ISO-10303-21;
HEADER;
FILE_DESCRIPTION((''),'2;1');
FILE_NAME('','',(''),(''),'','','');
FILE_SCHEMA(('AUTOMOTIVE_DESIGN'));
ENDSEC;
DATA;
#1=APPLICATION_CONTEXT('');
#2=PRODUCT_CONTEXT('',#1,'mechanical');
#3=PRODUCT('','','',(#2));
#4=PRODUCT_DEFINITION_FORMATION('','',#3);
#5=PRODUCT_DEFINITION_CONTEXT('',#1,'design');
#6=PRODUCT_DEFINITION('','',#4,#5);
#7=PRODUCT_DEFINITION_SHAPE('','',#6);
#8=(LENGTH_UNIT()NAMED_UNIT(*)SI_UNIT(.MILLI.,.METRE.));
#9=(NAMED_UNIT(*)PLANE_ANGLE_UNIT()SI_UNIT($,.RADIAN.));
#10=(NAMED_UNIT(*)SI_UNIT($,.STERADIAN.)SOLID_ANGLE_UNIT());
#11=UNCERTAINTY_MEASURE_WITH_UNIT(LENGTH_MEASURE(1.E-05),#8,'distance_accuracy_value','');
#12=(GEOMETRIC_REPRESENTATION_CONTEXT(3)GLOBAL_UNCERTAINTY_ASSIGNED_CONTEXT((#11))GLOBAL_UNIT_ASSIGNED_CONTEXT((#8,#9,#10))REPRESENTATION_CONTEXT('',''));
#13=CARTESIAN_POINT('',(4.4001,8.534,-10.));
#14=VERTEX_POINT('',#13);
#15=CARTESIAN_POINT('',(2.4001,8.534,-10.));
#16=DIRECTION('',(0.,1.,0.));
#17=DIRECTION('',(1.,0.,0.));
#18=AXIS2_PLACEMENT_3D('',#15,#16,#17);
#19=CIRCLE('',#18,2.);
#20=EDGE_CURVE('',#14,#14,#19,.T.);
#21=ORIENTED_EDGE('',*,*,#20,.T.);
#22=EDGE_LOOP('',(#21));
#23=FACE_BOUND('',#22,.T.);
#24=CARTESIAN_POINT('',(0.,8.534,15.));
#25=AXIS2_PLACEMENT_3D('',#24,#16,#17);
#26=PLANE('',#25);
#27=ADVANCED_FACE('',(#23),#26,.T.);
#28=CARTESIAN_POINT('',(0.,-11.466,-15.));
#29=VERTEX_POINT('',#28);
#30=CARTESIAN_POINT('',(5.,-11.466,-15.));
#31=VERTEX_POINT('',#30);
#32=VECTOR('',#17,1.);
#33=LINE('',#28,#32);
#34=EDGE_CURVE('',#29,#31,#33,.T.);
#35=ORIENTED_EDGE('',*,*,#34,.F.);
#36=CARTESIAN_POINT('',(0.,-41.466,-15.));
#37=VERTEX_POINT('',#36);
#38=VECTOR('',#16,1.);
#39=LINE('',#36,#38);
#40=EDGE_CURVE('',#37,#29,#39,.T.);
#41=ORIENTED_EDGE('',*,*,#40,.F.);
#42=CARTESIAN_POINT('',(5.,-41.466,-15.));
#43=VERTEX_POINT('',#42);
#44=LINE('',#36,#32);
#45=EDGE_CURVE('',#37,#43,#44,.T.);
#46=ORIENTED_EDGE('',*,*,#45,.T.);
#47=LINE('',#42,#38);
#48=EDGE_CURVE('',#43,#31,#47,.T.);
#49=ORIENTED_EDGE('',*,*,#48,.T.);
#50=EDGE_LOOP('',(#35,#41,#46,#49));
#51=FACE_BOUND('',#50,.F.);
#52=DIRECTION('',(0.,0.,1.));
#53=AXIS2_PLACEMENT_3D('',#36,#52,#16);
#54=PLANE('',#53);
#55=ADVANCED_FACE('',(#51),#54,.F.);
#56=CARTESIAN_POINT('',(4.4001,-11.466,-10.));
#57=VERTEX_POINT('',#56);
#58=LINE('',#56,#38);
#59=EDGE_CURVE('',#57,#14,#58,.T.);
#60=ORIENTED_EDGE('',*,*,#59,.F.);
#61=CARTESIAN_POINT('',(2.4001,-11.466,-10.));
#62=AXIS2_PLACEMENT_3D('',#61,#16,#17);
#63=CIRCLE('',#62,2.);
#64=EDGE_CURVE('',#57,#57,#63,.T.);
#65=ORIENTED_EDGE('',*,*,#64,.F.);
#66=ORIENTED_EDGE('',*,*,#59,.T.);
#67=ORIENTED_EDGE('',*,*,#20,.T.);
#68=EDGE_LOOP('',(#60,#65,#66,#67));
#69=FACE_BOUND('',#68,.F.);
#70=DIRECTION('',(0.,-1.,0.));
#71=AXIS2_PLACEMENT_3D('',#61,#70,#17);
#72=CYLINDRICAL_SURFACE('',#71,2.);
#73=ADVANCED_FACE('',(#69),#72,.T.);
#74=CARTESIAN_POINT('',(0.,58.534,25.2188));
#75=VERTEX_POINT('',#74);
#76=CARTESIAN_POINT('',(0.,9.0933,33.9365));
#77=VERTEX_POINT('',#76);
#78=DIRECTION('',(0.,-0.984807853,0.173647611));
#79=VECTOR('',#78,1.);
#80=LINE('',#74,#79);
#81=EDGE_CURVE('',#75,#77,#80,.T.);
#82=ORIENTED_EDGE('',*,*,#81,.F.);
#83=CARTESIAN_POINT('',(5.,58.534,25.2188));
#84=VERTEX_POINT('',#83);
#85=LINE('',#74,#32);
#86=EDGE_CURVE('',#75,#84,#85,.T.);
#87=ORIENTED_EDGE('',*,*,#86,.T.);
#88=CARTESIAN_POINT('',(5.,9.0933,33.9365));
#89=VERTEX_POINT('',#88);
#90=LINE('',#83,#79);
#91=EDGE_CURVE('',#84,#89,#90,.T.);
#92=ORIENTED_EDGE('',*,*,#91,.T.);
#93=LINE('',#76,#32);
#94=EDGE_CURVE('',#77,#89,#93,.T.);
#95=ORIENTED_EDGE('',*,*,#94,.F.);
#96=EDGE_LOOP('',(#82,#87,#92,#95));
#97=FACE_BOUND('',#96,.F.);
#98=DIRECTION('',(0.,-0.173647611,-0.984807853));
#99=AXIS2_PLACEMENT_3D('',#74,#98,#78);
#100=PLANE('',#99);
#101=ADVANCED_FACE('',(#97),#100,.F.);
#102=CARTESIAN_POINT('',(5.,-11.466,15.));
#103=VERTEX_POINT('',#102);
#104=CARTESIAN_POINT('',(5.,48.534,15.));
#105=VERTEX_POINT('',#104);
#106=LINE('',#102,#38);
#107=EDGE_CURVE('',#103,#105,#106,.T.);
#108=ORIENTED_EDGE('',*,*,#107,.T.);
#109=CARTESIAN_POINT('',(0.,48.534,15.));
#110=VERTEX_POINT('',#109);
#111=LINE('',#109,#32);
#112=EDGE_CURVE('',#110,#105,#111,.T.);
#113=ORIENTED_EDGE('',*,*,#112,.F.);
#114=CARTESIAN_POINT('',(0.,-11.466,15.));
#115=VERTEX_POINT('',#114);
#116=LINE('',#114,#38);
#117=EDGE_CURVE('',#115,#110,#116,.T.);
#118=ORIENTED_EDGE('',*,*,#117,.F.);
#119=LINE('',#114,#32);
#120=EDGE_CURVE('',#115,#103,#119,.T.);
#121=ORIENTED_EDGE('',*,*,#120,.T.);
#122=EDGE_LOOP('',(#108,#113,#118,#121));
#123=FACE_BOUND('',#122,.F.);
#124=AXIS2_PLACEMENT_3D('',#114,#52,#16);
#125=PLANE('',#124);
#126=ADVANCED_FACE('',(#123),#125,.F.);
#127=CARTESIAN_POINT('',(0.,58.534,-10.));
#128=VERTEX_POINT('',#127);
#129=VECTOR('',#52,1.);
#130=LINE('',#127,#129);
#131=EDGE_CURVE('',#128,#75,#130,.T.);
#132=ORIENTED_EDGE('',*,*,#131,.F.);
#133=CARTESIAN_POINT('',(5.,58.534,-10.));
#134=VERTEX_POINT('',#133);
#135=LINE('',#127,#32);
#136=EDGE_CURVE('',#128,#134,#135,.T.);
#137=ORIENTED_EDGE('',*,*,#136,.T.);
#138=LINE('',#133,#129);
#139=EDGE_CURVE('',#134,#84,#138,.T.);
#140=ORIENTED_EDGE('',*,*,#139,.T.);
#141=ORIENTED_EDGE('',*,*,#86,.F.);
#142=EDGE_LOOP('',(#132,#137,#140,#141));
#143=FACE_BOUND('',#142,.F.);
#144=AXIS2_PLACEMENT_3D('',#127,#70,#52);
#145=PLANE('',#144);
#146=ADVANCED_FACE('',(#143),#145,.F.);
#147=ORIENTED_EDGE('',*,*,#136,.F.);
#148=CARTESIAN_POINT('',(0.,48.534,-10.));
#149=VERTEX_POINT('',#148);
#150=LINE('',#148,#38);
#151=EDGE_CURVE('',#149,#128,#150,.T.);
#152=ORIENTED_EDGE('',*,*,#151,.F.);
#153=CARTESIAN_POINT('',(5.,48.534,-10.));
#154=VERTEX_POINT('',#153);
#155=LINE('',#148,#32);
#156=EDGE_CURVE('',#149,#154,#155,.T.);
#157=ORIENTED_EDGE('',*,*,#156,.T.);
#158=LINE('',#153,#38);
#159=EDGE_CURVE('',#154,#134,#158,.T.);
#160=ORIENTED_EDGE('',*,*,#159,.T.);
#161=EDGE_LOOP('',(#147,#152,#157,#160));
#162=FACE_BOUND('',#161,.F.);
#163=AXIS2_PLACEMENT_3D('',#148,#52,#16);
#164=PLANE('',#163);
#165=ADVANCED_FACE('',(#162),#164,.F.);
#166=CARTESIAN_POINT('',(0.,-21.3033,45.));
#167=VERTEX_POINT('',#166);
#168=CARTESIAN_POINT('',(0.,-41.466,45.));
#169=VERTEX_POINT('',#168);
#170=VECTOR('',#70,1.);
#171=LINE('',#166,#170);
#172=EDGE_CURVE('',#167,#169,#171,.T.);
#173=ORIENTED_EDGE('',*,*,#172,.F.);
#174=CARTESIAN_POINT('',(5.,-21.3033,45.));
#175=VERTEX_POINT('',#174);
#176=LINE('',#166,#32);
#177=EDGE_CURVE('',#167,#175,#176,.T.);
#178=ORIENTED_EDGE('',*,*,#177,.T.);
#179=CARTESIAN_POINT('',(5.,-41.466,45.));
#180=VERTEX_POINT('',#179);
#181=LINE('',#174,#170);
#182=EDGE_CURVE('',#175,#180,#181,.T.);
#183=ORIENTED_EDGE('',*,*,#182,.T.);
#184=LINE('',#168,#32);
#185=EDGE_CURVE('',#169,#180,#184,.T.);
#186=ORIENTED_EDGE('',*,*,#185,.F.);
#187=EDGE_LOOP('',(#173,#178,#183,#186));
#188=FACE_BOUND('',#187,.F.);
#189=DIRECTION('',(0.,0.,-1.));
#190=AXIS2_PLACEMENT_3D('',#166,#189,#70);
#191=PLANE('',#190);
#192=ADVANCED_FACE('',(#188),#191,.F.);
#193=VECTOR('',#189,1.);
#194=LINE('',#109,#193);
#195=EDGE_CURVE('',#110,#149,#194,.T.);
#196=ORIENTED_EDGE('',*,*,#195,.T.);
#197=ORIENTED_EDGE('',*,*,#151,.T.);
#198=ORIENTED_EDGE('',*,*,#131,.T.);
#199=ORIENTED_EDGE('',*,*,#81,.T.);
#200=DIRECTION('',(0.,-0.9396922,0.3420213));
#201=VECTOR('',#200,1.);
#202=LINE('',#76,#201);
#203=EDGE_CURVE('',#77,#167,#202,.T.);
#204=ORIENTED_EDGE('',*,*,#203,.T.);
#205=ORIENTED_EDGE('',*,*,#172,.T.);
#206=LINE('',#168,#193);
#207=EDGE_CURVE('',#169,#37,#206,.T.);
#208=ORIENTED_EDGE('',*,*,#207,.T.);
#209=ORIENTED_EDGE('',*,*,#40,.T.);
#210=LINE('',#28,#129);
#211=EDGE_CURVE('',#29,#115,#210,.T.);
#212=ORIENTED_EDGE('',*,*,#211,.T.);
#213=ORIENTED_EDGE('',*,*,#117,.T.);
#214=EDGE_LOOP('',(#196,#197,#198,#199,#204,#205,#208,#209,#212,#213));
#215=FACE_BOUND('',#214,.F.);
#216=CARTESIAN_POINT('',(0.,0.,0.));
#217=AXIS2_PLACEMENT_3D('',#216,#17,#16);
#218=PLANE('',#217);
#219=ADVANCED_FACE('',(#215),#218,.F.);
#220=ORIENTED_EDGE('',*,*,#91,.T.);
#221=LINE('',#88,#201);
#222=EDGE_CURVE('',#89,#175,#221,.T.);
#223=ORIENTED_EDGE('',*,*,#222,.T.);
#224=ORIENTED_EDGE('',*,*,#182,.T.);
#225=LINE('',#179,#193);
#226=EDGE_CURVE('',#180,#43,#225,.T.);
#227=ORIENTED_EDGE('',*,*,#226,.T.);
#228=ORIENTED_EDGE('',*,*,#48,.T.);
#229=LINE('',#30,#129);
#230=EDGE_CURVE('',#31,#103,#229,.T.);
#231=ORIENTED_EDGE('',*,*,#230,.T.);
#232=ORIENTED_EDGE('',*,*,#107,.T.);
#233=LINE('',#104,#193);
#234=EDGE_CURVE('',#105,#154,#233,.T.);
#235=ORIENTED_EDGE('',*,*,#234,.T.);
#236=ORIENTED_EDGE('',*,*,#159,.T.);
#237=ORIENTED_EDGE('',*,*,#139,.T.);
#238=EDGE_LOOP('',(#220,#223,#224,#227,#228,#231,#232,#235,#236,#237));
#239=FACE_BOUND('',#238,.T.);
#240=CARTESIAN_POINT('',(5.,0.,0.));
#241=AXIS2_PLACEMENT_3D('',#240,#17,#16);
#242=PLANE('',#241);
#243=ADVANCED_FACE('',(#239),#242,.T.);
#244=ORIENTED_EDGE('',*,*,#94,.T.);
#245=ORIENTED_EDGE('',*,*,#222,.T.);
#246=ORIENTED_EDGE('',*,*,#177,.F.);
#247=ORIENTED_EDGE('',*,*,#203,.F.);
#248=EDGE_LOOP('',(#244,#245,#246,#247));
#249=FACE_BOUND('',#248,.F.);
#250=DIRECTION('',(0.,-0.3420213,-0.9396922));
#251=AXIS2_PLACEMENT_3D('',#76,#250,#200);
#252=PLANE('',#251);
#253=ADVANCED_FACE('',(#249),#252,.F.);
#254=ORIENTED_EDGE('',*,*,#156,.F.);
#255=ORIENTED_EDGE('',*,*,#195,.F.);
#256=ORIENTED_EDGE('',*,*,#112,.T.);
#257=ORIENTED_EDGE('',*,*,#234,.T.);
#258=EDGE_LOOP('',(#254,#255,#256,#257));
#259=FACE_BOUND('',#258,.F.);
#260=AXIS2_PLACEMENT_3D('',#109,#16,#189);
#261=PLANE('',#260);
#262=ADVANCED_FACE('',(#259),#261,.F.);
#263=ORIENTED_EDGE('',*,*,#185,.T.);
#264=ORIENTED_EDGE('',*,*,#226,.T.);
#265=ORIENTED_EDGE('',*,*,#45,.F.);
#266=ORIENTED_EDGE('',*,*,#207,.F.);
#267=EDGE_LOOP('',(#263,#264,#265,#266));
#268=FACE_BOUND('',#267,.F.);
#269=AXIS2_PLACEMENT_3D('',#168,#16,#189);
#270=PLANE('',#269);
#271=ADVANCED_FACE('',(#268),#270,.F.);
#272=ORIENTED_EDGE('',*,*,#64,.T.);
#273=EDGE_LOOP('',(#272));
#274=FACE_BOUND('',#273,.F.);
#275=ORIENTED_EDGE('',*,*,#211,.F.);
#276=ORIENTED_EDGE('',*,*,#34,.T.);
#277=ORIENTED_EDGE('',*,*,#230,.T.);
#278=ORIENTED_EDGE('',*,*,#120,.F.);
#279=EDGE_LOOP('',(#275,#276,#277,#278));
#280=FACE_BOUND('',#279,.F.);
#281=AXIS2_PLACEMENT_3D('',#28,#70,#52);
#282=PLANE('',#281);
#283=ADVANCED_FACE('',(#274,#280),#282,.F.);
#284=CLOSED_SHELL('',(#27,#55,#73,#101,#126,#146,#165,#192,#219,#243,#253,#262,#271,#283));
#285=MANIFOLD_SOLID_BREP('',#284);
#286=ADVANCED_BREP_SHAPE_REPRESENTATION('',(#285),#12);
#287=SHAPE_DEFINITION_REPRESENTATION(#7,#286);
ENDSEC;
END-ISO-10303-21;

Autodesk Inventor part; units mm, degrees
ref_plane "YZ Plane" through (0, 0, 0) normal (1, 0, 0) x (0, 1, 0)
ref_plane "XZ Plane" through (0, 0, 0) normal (0, 1, 0) x (-1, 0, 0)
ref_plane "XY Plane" through (0, 0, 0) normal (0, 0, 1) x (1, 0, 0)
sketch "Sketch1" plane through (0, 0, 0) normal (1, 0, 0) x (0, 1, 0)
  line L0 (-21.3033, 45) -> (-41.466, 45)
  line L1 (-41.466, 45) -> (-41.466, -15)
  line L2 (-41.466, -15) -> (-11.466, -15)
  line L3 (-11.466, -15) -> (-11.466, 15)
  line L4 (-11.466, 15) -> (48.534, 15)
  line L5 (48.534, 15) -> (48.534, -10)
  line L6 (48.534, -10) -> (58.534, -10)
  line L7 (58.534, -10) -> (58.534, 25.2188)
  line L8 (58.534, 25.2188) -> (9.0933, 33.9365)
  line L9 (9.0933, 33.9365) -> (-21.3033, 45)
  point P0 (0, 0)
  dimension "d0" = 60
  dimension "d1" = 30
  dimension "d2" = 30
  dimension "d3" = 60
  dimension "d4" = 10
  dimension "d5" = 100
  dimension "d7" = 25
  dimension "d8" = 160
  dimension "d9" = 58.534
  dimension "d10" = 10
  dimension "d11" = 35
  dimension "d12" = 35
extrude "Extrusion1" add sketch "Sketch1" along normal blind 5
sketch "Sketch2" plane through (0, -11.466, 15) normal (0, 1, 0) x (1, 0, 0)
  circle A0 centre (2.4001, 25) radius 2
  line L0 (0, 30) -> (0, 0) projected
  line L1 (0, 0) -> (5, 0) projected
  line L2 (5, 30) -> (5, 0) projected
  line L3 (0, 30) -> (5, 30) projected
  point P0 (0, 15)
  dimension "d15" = 4
  dimension "d16" = 25
extrude "Extrusion2" add sketch "Sketch2" along normal blind 20 contours A0
properties part number "Pala1"
